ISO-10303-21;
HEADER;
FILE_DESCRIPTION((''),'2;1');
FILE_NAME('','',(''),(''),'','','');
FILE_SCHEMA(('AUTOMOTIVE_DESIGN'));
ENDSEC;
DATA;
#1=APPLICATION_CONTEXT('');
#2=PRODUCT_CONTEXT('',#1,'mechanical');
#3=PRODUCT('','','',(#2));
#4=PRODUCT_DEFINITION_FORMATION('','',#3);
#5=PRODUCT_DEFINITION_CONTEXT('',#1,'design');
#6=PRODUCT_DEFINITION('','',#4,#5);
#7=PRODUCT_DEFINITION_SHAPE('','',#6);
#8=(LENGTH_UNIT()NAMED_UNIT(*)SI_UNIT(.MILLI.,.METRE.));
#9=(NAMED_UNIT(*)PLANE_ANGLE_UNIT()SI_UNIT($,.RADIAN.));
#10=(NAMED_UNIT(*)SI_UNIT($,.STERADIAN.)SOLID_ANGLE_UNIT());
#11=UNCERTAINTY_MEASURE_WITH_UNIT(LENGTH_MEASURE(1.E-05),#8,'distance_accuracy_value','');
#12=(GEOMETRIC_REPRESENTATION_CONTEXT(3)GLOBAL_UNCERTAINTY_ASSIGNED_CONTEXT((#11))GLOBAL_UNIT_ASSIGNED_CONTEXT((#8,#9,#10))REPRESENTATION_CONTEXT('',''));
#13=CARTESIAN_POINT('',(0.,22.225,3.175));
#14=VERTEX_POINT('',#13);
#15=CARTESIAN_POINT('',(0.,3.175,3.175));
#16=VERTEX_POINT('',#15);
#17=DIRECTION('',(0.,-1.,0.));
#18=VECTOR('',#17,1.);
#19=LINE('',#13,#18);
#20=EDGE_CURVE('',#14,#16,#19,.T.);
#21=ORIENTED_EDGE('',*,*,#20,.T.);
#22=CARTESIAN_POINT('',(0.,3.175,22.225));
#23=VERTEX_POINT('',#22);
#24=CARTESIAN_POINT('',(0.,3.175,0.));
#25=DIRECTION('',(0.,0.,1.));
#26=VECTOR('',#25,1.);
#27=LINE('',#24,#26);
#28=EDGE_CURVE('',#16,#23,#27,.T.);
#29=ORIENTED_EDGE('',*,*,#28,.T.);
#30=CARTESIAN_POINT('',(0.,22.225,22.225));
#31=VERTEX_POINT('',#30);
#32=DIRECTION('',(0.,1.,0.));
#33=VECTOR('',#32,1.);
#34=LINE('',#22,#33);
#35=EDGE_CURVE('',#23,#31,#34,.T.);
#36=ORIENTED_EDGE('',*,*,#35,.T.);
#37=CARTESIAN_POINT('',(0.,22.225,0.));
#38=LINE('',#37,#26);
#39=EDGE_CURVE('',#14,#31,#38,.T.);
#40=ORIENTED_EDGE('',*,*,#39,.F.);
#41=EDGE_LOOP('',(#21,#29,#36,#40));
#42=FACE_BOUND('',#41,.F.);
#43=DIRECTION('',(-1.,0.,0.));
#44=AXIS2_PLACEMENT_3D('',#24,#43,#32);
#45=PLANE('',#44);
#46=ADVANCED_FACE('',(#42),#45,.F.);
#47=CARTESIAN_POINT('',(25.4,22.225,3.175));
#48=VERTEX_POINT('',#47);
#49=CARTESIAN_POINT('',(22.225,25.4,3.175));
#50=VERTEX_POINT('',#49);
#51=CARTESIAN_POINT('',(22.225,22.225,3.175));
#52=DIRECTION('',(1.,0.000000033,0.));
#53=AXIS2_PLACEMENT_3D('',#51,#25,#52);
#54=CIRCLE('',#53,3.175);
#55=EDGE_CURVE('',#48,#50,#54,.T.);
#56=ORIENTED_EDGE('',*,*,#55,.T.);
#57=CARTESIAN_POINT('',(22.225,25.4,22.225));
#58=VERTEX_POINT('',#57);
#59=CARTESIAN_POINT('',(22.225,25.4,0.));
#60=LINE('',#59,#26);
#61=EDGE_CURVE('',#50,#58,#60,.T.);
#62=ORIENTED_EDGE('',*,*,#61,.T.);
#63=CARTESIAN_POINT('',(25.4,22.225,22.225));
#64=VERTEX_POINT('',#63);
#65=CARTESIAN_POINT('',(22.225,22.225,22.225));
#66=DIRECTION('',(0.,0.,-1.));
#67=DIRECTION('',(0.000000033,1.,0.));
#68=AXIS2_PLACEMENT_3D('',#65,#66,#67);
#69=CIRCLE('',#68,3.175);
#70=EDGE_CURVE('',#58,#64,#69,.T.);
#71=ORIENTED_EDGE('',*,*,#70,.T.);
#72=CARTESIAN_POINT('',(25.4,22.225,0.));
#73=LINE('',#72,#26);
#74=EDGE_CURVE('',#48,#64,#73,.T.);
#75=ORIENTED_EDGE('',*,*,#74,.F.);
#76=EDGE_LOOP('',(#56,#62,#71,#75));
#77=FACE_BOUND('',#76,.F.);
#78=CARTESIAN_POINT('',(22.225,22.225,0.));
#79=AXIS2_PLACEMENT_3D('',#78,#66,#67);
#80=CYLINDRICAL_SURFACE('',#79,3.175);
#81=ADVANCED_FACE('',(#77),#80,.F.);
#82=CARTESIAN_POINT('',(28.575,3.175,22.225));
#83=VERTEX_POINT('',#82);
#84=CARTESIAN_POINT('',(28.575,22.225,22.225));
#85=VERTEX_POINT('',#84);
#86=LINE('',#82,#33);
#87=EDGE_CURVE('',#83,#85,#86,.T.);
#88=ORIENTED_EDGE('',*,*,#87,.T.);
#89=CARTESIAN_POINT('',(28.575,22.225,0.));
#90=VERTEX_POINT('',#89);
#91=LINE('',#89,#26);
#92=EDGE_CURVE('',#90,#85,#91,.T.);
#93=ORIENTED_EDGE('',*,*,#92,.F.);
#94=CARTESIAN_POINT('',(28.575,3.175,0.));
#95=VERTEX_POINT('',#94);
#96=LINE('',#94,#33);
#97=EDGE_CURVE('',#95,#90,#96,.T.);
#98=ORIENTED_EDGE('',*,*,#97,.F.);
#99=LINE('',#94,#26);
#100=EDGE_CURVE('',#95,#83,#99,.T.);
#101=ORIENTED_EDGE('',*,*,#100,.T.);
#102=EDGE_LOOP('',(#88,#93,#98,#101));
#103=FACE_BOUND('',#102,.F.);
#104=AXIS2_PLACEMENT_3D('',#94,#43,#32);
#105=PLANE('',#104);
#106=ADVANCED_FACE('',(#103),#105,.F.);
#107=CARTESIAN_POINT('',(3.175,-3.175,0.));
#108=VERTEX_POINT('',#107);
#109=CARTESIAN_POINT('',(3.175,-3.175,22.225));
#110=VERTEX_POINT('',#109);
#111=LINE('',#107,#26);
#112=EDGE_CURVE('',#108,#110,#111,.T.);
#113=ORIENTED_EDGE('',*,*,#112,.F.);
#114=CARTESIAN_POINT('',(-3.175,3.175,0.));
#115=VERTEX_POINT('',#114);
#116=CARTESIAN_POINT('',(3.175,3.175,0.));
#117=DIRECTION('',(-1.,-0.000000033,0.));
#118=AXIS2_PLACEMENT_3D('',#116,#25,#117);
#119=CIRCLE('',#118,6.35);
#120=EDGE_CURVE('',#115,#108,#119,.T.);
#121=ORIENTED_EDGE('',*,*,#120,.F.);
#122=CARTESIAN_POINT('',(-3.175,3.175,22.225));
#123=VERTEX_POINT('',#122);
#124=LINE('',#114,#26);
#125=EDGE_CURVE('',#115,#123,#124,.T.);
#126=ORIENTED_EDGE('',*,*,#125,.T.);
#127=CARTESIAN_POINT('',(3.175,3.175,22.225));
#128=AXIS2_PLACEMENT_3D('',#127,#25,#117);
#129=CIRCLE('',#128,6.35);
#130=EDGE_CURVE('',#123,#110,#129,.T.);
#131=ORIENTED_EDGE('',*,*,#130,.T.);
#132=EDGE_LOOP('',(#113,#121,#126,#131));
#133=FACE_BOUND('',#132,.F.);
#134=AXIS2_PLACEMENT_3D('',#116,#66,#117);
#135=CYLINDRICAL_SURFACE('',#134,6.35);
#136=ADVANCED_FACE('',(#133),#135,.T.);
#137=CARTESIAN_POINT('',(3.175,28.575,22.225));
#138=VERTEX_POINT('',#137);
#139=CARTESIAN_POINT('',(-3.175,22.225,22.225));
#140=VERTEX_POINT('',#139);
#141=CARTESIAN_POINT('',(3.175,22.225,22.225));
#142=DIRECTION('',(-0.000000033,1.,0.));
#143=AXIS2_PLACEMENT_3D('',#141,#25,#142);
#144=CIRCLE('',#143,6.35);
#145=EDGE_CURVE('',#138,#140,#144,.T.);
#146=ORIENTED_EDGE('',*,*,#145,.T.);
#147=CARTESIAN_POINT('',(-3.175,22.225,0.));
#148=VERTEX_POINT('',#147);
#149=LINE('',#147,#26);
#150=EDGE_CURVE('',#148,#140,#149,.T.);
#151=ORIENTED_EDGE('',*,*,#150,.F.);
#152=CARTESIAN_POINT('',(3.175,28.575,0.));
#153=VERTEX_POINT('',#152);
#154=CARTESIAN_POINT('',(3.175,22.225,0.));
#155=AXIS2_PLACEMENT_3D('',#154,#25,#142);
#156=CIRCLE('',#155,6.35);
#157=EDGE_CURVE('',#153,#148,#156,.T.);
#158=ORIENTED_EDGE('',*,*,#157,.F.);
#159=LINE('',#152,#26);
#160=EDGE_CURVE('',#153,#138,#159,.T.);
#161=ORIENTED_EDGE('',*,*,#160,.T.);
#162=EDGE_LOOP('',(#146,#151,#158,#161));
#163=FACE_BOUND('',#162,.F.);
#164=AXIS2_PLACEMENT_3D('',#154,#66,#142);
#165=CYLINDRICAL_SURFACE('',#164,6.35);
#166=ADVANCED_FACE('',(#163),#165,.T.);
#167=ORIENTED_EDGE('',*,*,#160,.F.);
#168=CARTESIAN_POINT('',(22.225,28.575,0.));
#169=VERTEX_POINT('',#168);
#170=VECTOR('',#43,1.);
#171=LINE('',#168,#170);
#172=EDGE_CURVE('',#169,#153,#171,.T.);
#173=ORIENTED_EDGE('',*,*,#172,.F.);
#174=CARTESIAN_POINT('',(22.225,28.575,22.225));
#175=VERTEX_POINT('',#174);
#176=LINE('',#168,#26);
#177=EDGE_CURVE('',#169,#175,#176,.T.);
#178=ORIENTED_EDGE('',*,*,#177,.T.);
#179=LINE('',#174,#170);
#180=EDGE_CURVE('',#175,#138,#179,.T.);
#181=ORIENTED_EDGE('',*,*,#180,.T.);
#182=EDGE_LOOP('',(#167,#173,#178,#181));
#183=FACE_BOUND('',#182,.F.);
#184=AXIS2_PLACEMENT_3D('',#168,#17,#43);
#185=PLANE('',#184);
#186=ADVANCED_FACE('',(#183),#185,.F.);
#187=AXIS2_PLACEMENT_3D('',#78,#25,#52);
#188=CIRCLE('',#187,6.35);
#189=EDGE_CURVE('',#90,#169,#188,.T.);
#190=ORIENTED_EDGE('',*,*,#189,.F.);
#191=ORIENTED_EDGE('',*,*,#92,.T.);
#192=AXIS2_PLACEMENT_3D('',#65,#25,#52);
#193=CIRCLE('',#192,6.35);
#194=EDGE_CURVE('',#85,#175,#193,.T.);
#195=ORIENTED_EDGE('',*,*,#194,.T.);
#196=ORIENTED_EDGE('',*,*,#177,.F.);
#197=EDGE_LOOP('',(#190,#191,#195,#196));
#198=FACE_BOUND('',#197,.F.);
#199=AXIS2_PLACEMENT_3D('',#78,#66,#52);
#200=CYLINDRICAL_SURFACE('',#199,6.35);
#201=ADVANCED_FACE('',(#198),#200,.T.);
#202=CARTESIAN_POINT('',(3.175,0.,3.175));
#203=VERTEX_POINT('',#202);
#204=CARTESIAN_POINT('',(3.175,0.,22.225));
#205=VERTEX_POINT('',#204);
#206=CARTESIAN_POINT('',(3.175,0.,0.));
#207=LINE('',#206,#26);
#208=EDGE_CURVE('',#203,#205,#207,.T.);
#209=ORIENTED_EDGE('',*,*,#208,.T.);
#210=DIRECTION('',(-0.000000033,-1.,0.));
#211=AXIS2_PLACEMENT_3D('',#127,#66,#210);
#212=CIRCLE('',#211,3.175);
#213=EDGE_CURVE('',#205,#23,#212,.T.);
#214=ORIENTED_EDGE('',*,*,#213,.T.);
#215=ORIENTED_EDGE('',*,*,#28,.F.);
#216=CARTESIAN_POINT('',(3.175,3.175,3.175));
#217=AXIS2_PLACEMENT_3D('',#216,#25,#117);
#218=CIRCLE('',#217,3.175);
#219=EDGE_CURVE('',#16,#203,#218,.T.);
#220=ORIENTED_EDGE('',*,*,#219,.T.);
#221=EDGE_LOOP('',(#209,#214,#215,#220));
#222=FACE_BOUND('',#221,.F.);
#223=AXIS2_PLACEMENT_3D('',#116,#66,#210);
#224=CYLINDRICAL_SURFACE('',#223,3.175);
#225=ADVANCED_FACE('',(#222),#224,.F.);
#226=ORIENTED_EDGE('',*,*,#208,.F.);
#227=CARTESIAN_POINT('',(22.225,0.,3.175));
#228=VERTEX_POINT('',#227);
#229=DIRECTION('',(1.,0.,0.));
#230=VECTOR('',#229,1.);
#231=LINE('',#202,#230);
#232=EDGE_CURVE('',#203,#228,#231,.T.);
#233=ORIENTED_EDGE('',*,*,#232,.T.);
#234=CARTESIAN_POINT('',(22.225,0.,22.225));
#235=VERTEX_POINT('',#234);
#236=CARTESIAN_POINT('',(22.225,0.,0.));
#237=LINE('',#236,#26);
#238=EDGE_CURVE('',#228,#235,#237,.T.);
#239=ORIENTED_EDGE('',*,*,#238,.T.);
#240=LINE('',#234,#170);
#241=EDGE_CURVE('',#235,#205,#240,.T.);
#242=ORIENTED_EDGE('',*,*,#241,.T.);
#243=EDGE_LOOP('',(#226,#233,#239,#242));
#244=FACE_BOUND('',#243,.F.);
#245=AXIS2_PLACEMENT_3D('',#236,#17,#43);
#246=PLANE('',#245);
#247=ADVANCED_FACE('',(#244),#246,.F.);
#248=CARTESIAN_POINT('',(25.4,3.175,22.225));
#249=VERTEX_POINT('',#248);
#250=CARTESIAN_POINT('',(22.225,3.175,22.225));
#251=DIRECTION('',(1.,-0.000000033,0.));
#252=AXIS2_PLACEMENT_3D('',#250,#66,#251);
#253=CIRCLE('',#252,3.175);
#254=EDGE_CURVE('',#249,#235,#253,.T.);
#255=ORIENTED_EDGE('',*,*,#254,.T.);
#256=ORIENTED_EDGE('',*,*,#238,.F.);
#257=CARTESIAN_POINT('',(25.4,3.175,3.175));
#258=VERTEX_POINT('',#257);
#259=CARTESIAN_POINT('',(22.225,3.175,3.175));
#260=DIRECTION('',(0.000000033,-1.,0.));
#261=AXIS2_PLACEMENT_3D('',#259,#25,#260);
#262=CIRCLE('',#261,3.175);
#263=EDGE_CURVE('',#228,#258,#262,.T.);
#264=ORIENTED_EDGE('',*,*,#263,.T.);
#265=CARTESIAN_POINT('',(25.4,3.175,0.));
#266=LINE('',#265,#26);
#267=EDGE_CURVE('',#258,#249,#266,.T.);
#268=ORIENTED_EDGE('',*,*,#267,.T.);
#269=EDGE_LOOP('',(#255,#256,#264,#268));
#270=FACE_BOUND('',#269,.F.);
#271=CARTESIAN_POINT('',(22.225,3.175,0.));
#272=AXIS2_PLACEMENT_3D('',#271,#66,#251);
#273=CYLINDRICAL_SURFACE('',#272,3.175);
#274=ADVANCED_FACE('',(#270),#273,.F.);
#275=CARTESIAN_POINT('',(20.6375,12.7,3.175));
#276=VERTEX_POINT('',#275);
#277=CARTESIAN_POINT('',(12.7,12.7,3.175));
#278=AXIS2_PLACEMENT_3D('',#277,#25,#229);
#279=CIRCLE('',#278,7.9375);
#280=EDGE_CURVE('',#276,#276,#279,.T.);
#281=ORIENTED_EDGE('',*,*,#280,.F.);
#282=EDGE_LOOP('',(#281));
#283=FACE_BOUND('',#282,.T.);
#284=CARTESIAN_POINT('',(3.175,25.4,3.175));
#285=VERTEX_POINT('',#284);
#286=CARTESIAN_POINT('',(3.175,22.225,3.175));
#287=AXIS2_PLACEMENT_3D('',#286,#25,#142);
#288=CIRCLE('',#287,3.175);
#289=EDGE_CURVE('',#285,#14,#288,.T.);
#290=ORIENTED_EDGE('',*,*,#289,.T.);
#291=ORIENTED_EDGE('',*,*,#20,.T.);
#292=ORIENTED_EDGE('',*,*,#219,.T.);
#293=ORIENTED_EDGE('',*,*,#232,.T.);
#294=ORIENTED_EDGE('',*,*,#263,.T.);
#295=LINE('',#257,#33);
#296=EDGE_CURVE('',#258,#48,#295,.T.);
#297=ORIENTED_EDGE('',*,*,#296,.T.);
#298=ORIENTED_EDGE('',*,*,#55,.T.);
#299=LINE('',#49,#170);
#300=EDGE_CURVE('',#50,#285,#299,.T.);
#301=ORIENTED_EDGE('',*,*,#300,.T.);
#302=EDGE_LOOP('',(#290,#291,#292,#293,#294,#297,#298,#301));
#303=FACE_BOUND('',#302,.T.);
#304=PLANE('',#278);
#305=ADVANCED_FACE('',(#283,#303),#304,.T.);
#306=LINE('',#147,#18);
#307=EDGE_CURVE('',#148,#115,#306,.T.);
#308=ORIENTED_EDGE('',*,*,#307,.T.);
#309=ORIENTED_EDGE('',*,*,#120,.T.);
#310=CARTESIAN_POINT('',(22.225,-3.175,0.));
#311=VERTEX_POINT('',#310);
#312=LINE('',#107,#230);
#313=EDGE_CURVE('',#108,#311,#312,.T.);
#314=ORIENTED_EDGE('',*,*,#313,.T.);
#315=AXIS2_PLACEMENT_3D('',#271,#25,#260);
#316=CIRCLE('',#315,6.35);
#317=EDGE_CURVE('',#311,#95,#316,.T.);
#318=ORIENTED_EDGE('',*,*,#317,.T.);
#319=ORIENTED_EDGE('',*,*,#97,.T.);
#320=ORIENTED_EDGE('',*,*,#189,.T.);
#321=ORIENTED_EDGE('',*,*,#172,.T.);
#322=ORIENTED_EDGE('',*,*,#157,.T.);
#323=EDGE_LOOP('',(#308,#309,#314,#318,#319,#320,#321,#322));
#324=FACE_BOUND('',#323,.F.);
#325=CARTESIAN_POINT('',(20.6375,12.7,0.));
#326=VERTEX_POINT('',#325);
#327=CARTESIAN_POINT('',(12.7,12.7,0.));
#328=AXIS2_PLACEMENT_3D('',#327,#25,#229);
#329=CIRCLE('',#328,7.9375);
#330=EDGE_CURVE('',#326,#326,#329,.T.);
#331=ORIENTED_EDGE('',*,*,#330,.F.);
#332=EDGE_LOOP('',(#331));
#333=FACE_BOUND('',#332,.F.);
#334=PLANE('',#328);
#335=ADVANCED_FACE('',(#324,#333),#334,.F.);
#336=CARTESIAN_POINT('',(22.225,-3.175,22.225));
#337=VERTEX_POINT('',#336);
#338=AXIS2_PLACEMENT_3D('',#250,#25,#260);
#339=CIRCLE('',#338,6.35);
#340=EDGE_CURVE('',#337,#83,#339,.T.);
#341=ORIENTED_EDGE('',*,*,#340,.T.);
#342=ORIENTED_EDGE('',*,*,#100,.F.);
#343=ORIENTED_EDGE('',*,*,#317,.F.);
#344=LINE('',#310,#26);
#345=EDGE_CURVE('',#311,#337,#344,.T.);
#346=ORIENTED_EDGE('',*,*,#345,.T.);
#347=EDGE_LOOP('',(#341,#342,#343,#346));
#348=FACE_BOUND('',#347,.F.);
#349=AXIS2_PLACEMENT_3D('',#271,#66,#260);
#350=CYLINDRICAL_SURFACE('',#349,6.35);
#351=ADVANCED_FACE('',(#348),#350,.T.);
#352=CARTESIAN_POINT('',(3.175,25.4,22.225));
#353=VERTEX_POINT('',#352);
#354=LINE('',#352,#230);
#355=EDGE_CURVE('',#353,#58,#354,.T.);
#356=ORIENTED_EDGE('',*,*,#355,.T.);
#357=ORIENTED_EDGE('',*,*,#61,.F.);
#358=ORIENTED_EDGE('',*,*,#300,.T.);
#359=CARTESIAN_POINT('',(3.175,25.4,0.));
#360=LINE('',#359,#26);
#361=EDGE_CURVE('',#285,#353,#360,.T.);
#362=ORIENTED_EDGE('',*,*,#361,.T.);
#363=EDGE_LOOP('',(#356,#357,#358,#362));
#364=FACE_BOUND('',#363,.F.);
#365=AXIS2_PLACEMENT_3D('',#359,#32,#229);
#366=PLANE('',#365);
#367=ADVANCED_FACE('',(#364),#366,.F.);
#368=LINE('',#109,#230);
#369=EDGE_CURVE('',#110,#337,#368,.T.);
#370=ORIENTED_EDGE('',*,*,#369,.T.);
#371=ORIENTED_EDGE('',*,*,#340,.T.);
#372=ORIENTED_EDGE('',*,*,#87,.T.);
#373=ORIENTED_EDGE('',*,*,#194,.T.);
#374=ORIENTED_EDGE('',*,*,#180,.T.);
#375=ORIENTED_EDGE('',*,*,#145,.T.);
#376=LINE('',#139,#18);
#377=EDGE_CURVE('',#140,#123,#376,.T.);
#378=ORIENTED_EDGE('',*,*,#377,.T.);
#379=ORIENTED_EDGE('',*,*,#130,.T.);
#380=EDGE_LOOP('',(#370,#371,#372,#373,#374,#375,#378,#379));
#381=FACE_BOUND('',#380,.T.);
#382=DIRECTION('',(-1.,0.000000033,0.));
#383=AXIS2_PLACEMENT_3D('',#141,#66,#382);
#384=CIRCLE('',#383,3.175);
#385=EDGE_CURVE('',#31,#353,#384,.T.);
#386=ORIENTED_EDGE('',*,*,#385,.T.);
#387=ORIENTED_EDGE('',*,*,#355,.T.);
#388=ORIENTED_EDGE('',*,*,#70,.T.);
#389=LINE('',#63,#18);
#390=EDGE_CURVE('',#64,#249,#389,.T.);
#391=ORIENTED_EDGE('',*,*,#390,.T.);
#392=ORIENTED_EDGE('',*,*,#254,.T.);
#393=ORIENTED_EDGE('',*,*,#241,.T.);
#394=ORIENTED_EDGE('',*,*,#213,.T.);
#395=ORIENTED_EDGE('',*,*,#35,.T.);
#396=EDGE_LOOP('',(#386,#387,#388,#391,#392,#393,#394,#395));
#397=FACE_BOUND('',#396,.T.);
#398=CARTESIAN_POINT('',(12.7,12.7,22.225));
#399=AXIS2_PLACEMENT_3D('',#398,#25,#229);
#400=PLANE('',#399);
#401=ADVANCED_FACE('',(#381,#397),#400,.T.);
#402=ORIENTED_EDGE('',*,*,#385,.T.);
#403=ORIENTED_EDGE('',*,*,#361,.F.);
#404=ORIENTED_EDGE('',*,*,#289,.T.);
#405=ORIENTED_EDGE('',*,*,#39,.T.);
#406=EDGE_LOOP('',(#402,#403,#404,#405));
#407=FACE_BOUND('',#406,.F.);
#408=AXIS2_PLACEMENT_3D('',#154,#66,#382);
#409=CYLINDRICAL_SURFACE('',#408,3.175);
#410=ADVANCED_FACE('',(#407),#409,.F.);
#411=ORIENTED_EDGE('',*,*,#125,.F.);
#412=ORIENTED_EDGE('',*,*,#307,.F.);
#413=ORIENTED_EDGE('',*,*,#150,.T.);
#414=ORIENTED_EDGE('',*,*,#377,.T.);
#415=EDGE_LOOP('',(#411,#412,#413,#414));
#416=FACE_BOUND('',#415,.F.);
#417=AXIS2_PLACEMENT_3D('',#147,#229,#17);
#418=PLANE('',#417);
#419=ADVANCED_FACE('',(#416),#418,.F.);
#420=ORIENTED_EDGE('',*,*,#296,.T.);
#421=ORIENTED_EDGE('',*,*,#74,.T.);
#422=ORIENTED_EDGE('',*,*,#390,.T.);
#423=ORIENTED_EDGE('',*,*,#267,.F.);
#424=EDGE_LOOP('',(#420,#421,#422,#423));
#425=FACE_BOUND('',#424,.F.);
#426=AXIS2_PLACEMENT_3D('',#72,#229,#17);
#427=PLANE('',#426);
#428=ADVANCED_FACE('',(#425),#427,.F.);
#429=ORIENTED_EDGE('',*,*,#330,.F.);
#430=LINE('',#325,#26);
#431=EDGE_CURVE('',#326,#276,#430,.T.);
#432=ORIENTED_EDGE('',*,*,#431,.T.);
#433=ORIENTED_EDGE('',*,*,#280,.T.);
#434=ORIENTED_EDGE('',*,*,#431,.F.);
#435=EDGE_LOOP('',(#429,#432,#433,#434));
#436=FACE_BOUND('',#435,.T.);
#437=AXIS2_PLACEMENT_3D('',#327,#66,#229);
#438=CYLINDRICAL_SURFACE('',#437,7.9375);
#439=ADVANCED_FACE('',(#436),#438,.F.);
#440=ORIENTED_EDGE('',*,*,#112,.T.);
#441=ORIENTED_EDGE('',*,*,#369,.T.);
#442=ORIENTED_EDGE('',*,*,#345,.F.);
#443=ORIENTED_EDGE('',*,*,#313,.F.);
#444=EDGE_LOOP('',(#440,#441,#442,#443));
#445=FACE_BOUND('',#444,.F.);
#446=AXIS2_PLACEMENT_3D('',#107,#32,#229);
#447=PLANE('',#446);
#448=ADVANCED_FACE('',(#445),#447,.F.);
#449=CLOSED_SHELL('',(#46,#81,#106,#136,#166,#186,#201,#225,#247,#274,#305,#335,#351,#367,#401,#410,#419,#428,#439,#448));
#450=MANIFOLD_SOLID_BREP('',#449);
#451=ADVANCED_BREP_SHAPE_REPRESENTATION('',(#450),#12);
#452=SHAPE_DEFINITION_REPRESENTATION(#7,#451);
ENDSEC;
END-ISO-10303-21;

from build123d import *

# Parameters (mm, degrees)
F1_DEPTH = 22.225
F0_R     = 7.9375
F2_DEPTH = 3.175


with BuildPart() as f1:
    # F0 (on Top) → F1 (new body)
    with BuildSketch(Plane.XY):
        with BuildLine():
            Line((-3.175, 22.225), (-3.175, 12.7))
            Line((-3.175, 12.7), (-3.175, 3.175))
            ThreePointArc((-3.175, 3.175), (-1.315128, -1.315128), (3.175, -3.175))
            Line((3.175, -3.175), (12.7, -3.175))
            Line((12.7, -3.175), (22.225, -3.175))
            ThreePointArc((22.225, -3.175), (26.715128, -1.315128), (28.575, 3.175))
            Line((28.575, 3.175), (28.575, 12.7))
            Line((28.575, 12.7), (28.575, 22.225))
            ThreePointArc((28.575, 22.225), (26.715128, 26.715128), (22.225, 28.575))
            Line((22.225, 28.575), (12.7, 28.575))
            Line((12.7, 28.575), (3.175, 28.575))
            ThreePointArc((3.175, 28.575), (-1.315128, 26.715128), (-3.175, 22.225))
        make_face()
        with BuildLine():
            Line((0, 3.175), (0, 12.7))
            Line((0, 12.7), (0, 22.225))
            ThreePointArc((0, 22.225), (0.929936, 24.470064), (3.175, 25.4))
            Line((3.175, 25.4), (12.7, 25.4))
            Line((12.7, 25.4), (22.225, 25.4))
            ThreePointArc((22.225, 25.4), (24.470064, 24.470064), (25.4, 22.225))
            Line((25.4, 22.225), (25.4, 12.7))
            Line((25.4, 12.7), (25.4, 3.175))
            ThreePointArc((25.4, 3.175), (24.470064, 0.929936), (22.225, 0))
            Line((22.225, 0), (12.7, 0))
            Line((12.7, 0), (3.175, 0))
            ThreePointArc((3.175, 0), (0.929936, 0.929936), (0, 3.175))
        make_face(mode=Mode.SUBTRACT)
    extrude(amount=F1_DEPTH)

    # F0 (on Top) → F2 (join)
    with BuildSketch(Plane.XY):
        with BuildLine():
            Line((0, 22.225), (0, 12.7))
            Line((0, 12.7), (0, 3.175))
            ThreePointArc((0, 3.175), (0.929936, 0.929936), (3.175, 0))
            Line((3.175, 0), (12.7, 0))
            Line((12.7, 0), (22.225, 0))
            ThreePointArc((22.225, 0), (24.470064, 0.929936), (25.4, 3.175))
            Line((25.4, 3.175), (25.4, 12.7))
            Line((25.4, 12.7), (25.4, 22.225))
            ThreePointArc((25.4, 22.225), (24.470064, 24.470064), (22.225, 25.4))
            Line((22.225, 25.4), (12.7, 25.4))
            Line((12.7, 25.4), (3.175, 25.4))
            ThreePointArc((3.175, 25.4), (0.929936, 24.470064), (0, 22.225))
        make_face()
        with Locations((12.7, 12.7)):
            Circle(F0_R, mode=Mode.SUBTRACT)
    extrude(amount=F2_DEPTH)


solid = f1.part
